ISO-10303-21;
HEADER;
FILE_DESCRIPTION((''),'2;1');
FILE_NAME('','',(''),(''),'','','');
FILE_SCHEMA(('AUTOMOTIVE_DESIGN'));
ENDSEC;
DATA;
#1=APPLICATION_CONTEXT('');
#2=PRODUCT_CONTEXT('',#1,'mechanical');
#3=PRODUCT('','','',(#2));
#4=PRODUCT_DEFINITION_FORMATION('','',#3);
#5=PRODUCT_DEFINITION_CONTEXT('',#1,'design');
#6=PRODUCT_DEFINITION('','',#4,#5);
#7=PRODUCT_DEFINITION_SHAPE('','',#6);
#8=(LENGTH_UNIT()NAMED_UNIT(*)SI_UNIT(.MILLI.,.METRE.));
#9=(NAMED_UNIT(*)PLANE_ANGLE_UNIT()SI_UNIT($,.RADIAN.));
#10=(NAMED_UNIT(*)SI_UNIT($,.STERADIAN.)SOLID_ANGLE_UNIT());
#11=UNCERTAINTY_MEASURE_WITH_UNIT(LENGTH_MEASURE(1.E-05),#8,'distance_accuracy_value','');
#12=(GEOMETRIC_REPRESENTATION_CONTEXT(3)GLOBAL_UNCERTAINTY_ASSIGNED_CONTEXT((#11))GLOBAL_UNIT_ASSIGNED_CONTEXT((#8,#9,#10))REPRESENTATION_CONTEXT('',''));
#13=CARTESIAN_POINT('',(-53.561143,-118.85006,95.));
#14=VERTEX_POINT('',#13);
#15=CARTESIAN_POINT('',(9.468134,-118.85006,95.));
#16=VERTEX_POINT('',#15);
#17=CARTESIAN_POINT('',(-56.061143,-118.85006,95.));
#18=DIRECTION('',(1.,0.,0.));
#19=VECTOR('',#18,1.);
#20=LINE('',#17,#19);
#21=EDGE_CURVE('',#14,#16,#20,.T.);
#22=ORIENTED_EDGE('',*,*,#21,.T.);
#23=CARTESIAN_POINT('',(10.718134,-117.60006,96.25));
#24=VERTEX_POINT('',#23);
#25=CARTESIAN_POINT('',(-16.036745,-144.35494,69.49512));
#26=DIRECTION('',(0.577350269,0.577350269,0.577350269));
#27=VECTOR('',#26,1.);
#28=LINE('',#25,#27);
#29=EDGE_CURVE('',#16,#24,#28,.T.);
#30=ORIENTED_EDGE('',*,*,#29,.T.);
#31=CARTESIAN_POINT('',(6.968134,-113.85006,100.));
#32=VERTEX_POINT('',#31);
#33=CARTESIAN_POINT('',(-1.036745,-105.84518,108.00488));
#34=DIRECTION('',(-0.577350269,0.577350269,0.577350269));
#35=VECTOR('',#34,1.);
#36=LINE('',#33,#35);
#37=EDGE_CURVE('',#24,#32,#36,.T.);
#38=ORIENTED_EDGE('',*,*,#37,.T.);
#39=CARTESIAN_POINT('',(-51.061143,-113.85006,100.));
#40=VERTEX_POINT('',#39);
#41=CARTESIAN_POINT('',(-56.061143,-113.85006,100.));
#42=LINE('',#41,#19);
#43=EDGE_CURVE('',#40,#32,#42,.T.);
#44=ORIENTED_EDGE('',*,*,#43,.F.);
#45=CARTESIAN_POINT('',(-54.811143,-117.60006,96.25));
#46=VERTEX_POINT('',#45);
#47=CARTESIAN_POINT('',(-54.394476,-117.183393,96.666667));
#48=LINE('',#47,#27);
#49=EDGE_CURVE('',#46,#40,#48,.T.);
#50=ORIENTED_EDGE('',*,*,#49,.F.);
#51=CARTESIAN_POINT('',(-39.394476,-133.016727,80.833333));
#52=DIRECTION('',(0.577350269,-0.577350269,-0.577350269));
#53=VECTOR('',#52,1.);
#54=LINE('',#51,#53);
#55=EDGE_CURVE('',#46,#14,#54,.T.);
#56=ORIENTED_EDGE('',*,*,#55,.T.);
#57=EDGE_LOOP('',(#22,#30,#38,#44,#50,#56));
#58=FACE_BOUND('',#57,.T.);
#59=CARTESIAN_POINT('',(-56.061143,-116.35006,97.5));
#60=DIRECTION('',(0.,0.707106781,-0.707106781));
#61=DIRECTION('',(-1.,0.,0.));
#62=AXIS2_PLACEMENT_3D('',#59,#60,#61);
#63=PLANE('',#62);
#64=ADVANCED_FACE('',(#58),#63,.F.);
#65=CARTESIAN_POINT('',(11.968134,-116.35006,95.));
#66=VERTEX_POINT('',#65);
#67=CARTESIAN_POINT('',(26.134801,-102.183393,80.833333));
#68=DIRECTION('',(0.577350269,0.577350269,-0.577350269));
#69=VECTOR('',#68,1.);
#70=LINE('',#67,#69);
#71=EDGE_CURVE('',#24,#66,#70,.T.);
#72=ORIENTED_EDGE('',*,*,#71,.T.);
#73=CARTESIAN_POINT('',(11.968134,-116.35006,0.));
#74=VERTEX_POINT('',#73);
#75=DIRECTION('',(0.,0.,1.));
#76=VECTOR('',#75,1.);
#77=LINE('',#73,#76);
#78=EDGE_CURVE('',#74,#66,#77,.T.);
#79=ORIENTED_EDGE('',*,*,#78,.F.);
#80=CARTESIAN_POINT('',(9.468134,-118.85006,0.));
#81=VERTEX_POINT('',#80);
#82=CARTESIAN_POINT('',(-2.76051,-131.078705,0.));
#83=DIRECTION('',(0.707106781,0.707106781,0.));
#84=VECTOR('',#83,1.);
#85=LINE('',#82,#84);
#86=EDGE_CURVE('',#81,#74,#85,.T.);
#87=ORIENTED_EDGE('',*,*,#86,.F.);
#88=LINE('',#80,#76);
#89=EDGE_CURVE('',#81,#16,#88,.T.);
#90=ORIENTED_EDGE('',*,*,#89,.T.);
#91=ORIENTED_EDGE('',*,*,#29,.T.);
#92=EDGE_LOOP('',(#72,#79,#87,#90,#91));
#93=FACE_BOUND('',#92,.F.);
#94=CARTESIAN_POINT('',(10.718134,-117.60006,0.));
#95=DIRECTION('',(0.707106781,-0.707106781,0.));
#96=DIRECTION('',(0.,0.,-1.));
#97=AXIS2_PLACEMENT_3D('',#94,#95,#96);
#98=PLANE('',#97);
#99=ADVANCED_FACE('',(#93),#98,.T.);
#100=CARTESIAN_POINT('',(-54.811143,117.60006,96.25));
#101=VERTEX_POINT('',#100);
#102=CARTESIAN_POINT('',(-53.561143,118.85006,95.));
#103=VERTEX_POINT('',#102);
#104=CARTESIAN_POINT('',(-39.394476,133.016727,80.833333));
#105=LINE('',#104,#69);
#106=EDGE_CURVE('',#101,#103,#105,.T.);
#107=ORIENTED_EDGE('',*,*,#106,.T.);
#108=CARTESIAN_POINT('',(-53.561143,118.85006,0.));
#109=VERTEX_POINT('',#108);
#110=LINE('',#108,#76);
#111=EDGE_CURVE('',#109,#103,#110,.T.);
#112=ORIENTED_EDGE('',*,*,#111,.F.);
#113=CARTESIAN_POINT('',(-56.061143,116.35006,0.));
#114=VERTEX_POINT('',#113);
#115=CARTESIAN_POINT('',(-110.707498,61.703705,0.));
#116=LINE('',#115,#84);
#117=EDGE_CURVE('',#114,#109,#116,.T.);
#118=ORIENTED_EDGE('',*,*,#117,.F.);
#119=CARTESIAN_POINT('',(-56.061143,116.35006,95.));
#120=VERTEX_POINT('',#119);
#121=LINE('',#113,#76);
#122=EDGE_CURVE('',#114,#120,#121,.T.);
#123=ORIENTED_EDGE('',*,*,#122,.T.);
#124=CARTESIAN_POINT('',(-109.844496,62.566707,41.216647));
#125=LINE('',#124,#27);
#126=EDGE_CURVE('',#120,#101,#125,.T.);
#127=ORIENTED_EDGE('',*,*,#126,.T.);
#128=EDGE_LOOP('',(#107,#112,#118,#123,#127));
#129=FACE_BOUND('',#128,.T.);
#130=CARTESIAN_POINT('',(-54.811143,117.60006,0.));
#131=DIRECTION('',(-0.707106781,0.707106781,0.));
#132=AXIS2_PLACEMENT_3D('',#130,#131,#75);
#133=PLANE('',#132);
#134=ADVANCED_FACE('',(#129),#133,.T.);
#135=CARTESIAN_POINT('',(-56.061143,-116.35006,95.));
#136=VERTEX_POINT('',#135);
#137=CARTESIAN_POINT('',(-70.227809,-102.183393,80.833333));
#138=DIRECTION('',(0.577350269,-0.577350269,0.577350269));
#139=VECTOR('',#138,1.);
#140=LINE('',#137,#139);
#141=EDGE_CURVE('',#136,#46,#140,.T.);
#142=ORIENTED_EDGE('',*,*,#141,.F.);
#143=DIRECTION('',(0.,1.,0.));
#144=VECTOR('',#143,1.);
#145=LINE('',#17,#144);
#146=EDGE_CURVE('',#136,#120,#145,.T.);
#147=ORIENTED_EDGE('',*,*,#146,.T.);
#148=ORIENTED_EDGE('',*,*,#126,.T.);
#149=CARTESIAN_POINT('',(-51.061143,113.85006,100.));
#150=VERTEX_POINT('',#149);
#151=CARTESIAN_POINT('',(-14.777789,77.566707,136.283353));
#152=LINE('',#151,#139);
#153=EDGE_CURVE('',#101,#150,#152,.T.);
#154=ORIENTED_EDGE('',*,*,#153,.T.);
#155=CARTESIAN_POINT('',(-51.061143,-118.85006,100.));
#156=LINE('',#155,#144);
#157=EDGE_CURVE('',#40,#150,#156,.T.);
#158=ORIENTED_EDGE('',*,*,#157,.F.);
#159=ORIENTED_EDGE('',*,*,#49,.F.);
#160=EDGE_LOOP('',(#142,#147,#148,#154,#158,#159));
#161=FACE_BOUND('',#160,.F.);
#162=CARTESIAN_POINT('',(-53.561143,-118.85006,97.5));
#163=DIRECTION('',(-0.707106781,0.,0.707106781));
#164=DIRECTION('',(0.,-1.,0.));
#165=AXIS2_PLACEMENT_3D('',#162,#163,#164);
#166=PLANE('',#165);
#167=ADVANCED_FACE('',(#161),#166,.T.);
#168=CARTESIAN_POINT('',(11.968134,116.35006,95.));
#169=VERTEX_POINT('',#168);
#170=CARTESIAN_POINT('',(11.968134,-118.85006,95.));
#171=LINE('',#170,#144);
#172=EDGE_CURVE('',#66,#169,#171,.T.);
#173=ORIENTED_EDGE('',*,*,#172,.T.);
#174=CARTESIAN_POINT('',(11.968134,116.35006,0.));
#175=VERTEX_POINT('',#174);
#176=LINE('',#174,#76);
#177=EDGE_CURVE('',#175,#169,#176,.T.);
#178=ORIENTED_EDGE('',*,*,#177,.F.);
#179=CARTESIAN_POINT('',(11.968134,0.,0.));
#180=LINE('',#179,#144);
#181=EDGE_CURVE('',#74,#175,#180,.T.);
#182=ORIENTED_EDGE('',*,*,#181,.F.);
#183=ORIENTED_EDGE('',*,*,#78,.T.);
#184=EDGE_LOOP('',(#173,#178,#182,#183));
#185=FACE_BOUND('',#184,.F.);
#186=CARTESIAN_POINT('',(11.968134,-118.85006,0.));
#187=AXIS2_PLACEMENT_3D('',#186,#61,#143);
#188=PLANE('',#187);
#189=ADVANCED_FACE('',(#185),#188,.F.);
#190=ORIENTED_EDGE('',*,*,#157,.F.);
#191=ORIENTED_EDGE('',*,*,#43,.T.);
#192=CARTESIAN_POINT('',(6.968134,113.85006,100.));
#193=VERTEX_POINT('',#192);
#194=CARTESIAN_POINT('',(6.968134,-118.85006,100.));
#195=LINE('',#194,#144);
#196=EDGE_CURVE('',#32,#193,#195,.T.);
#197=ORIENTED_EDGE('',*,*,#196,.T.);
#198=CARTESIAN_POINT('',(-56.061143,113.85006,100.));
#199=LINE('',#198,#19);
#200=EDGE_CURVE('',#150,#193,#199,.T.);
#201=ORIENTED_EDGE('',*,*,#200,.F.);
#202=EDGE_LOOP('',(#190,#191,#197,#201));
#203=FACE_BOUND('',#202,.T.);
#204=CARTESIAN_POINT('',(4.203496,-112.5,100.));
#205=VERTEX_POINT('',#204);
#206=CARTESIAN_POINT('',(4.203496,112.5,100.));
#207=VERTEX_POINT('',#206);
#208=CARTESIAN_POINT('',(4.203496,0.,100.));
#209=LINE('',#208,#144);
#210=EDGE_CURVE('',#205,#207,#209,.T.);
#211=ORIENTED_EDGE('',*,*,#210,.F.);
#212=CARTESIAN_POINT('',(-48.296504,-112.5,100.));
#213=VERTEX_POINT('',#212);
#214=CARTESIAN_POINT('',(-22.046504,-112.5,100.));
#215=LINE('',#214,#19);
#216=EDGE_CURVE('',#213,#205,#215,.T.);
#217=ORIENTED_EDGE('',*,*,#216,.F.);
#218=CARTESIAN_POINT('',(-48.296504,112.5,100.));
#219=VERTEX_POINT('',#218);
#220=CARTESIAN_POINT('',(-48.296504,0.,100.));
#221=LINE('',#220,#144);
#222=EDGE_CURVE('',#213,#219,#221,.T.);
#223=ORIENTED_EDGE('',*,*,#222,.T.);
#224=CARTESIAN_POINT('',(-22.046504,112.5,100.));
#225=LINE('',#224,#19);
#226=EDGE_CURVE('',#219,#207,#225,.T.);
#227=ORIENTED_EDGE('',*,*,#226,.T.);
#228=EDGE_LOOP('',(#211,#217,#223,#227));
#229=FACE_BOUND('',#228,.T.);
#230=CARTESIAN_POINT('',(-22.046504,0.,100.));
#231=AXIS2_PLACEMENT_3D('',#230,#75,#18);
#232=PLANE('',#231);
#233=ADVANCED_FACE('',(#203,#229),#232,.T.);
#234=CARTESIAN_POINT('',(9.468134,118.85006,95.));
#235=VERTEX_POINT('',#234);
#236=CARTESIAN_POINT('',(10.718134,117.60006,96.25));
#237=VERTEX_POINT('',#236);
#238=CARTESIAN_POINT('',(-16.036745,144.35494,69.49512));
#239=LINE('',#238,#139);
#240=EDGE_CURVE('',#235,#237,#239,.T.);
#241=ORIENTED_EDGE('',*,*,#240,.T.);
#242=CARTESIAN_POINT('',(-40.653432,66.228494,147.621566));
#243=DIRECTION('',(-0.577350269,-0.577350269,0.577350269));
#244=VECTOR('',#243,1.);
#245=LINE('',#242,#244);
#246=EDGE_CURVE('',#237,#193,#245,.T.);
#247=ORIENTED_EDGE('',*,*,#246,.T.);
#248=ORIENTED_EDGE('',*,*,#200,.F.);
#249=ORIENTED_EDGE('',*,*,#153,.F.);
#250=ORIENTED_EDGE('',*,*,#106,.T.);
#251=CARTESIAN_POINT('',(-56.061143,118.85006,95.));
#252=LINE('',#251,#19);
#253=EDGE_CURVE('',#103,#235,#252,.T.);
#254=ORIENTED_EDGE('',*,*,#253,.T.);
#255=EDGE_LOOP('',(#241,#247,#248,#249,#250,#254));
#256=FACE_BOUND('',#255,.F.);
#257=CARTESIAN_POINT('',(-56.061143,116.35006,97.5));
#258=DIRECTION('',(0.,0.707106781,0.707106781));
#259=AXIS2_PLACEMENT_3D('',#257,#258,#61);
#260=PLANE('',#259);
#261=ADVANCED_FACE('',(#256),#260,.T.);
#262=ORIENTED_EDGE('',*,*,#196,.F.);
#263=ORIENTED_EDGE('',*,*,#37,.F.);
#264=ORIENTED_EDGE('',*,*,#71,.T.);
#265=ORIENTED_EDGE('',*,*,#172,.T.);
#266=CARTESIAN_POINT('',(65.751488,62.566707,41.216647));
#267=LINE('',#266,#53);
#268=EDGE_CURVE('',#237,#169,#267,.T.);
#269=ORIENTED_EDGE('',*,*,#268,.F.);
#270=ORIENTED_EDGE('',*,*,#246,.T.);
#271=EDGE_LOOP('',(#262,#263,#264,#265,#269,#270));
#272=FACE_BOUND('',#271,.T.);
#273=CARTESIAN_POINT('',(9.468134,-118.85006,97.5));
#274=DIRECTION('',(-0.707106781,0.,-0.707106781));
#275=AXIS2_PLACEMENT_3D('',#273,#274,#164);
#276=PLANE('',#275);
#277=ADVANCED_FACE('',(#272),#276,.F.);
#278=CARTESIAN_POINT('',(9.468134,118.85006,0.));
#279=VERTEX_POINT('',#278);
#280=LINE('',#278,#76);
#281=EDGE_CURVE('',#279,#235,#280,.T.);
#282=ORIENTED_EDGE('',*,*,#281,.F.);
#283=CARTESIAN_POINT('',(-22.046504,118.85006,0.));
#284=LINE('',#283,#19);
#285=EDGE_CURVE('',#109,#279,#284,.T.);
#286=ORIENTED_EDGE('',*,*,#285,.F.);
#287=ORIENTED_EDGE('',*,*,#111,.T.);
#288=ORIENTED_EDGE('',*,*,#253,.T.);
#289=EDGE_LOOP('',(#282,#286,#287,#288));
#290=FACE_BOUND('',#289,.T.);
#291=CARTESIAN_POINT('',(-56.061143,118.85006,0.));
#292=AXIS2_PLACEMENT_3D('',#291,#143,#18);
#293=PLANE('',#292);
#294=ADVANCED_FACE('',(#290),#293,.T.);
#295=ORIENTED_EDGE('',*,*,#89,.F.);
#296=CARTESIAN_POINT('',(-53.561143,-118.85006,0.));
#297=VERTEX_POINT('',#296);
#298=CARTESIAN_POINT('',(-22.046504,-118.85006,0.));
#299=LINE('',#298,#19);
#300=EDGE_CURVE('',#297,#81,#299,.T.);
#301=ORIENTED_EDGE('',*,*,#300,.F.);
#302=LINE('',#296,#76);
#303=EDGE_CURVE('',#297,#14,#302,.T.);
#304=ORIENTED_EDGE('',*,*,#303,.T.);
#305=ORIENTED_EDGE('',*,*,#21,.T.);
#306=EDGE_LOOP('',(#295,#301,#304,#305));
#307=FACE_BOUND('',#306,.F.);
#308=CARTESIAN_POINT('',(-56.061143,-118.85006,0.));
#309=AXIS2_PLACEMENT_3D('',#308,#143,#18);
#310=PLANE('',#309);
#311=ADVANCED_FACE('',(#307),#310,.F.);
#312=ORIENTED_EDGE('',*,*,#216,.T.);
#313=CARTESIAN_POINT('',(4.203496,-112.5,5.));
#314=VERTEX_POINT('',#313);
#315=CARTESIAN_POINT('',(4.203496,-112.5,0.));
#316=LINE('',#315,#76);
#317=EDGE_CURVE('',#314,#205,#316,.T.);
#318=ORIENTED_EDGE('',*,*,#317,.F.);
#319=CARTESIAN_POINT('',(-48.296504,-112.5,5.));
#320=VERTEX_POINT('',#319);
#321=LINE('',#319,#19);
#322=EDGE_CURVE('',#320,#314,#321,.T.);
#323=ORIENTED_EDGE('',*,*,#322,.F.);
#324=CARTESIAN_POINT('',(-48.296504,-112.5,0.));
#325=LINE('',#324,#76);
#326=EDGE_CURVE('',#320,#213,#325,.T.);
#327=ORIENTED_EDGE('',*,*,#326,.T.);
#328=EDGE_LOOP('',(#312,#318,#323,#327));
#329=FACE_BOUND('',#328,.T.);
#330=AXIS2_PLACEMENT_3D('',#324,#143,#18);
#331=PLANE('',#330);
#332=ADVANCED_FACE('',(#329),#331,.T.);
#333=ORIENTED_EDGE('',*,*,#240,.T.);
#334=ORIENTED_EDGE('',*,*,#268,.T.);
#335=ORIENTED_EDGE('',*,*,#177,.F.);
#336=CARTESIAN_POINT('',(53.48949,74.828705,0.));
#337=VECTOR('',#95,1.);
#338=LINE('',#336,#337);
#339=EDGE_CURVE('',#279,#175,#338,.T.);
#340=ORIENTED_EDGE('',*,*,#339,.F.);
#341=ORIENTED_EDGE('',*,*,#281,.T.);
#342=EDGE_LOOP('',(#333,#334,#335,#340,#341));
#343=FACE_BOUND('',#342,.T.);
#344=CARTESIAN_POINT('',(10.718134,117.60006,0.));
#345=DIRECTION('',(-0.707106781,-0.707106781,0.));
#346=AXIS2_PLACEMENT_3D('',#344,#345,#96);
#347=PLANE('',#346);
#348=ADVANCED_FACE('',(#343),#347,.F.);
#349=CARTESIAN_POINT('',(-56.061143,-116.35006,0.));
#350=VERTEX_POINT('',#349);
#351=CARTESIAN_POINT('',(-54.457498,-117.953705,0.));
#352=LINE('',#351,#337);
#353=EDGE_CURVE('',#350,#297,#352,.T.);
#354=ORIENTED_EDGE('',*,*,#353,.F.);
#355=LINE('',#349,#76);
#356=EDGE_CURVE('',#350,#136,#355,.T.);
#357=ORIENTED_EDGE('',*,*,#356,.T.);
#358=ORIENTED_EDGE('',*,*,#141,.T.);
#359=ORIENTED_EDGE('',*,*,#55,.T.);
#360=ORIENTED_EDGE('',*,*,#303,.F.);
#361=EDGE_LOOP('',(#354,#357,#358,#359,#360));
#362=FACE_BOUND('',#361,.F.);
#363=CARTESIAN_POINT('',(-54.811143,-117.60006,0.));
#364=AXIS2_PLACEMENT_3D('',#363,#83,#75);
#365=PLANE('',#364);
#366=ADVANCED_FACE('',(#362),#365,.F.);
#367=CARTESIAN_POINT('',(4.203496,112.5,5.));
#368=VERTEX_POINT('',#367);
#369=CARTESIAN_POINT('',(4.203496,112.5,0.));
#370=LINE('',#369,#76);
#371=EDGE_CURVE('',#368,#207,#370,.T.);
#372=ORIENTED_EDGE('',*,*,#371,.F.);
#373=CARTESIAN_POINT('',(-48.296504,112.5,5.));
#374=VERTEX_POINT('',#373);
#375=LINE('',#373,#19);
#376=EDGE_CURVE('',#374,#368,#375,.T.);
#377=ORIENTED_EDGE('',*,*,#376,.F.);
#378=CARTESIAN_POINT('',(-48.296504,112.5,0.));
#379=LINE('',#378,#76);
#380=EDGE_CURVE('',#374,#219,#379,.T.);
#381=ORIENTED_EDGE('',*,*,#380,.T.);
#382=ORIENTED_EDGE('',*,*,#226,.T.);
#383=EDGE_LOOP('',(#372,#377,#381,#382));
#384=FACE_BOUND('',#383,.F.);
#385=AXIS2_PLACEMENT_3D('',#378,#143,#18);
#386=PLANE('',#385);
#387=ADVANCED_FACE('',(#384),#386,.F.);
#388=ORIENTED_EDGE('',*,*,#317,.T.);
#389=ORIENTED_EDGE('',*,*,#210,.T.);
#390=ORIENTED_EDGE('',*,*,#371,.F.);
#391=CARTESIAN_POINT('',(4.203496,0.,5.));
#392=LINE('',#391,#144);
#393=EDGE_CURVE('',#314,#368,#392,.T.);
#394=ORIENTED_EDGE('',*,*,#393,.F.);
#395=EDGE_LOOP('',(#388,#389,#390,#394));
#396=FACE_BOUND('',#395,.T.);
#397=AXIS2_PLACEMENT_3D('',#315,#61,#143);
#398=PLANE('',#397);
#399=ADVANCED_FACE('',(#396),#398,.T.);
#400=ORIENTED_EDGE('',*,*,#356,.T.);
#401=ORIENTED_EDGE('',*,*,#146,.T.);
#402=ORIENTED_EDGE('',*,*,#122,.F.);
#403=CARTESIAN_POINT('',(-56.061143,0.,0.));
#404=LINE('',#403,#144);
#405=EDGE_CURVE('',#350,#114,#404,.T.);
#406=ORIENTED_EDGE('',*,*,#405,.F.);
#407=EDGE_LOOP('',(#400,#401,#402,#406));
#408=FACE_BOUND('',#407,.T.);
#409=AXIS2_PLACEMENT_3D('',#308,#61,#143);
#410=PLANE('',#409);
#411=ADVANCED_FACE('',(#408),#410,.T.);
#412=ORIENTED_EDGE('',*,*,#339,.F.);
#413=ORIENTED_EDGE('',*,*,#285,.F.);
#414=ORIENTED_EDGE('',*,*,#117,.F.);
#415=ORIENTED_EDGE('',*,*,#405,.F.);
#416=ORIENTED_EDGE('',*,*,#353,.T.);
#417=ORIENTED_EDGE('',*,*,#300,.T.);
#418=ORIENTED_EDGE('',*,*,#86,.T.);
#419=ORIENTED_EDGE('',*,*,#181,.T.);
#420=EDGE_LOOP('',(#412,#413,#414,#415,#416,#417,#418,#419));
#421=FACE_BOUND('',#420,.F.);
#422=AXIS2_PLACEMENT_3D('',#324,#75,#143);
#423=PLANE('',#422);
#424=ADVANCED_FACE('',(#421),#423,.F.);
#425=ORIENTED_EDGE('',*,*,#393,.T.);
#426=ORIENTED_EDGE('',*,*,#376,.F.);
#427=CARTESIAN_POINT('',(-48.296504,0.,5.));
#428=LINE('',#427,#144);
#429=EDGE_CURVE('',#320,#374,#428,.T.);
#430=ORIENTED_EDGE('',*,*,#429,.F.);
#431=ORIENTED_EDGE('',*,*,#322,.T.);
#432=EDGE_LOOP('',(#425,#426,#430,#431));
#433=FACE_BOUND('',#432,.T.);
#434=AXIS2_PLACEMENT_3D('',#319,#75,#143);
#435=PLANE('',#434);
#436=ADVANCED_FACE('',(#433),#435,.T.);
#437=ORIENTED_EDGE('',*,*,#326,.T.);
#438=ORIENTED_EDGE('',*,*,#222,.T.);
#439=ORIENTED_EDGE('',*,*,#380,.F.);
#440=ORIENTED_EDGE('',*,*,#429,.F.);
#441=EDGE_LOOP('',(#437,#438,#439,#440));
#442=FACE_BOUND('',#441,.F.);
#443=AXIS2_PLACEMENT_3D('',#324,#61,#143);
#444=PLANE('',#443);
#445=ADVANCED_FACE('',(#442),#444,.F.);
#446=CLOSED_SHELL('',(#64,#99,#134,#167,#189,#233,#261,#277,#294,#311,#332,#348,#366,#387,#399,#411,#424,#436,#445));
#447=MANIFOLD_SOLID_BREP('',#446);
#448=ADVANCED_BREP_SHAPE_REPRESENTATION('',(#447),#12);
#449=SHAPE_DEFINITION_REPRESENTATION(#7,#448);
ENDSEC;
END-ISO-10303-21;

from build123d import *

# Parameters (mm, degrees)
F0_W     = 68.029277
F0_H     = 237.70012
F0_W_2   = 52.5
F0_H_2   = 225
F1_DEPTH = 100
F2_W     = 225
F2_H     = 5
F3_DEPTH = 52.5
F4_SIZE  = 5
F5_SIZE  = 2.5


with BuildPart() as f1:
    # F0 (on Top) → F1 (new body)
    with BuildSketch(Plane.XY):
        with Locations((-22.046504, 0)):
            Rectangle(F0_W, F0_H)
        with Locations((-22.046504, 0)):
            Rectangle(F0_W_2, F0_H_2, mode=Mode.SUBTRACT)
    extrude(amount=F1_DEPTH)

    # F2 (on face) → F3 (join)
    with BuildSketch(Plane.YZ.offset(-48.296504)):
        with Locations((0, 2.5)):
            Rectangle(F2_W, F2_H)
    extrude(amount=F3_DEPTH)

    # F4
    f4_edges = [f1.edges().sort_by_distance(p)[0] for p in [
        (-56.061142, 0, 100),
        (-22.046504, -118.85006, 100),
        (11.968135, 0, 100),
        (-22.046504, 118.85006, 100),
    ]]
    chamfer(f4_edges, length=F4_SIZE)

    # F5
    f5_edges = [f1.edges().sort_by_distance(p)[0] for p in [
        (-56.061142, -118.85006, 47.5),
        (11.968135, -118.85006, 47.5),
        (11.968135, 118.85006, 47.5),
        (-56.061142, 118.85006, 47.5),
    ]]
    chamfer(f5_edges, length=F5_SIZE)


solid = f1.part
